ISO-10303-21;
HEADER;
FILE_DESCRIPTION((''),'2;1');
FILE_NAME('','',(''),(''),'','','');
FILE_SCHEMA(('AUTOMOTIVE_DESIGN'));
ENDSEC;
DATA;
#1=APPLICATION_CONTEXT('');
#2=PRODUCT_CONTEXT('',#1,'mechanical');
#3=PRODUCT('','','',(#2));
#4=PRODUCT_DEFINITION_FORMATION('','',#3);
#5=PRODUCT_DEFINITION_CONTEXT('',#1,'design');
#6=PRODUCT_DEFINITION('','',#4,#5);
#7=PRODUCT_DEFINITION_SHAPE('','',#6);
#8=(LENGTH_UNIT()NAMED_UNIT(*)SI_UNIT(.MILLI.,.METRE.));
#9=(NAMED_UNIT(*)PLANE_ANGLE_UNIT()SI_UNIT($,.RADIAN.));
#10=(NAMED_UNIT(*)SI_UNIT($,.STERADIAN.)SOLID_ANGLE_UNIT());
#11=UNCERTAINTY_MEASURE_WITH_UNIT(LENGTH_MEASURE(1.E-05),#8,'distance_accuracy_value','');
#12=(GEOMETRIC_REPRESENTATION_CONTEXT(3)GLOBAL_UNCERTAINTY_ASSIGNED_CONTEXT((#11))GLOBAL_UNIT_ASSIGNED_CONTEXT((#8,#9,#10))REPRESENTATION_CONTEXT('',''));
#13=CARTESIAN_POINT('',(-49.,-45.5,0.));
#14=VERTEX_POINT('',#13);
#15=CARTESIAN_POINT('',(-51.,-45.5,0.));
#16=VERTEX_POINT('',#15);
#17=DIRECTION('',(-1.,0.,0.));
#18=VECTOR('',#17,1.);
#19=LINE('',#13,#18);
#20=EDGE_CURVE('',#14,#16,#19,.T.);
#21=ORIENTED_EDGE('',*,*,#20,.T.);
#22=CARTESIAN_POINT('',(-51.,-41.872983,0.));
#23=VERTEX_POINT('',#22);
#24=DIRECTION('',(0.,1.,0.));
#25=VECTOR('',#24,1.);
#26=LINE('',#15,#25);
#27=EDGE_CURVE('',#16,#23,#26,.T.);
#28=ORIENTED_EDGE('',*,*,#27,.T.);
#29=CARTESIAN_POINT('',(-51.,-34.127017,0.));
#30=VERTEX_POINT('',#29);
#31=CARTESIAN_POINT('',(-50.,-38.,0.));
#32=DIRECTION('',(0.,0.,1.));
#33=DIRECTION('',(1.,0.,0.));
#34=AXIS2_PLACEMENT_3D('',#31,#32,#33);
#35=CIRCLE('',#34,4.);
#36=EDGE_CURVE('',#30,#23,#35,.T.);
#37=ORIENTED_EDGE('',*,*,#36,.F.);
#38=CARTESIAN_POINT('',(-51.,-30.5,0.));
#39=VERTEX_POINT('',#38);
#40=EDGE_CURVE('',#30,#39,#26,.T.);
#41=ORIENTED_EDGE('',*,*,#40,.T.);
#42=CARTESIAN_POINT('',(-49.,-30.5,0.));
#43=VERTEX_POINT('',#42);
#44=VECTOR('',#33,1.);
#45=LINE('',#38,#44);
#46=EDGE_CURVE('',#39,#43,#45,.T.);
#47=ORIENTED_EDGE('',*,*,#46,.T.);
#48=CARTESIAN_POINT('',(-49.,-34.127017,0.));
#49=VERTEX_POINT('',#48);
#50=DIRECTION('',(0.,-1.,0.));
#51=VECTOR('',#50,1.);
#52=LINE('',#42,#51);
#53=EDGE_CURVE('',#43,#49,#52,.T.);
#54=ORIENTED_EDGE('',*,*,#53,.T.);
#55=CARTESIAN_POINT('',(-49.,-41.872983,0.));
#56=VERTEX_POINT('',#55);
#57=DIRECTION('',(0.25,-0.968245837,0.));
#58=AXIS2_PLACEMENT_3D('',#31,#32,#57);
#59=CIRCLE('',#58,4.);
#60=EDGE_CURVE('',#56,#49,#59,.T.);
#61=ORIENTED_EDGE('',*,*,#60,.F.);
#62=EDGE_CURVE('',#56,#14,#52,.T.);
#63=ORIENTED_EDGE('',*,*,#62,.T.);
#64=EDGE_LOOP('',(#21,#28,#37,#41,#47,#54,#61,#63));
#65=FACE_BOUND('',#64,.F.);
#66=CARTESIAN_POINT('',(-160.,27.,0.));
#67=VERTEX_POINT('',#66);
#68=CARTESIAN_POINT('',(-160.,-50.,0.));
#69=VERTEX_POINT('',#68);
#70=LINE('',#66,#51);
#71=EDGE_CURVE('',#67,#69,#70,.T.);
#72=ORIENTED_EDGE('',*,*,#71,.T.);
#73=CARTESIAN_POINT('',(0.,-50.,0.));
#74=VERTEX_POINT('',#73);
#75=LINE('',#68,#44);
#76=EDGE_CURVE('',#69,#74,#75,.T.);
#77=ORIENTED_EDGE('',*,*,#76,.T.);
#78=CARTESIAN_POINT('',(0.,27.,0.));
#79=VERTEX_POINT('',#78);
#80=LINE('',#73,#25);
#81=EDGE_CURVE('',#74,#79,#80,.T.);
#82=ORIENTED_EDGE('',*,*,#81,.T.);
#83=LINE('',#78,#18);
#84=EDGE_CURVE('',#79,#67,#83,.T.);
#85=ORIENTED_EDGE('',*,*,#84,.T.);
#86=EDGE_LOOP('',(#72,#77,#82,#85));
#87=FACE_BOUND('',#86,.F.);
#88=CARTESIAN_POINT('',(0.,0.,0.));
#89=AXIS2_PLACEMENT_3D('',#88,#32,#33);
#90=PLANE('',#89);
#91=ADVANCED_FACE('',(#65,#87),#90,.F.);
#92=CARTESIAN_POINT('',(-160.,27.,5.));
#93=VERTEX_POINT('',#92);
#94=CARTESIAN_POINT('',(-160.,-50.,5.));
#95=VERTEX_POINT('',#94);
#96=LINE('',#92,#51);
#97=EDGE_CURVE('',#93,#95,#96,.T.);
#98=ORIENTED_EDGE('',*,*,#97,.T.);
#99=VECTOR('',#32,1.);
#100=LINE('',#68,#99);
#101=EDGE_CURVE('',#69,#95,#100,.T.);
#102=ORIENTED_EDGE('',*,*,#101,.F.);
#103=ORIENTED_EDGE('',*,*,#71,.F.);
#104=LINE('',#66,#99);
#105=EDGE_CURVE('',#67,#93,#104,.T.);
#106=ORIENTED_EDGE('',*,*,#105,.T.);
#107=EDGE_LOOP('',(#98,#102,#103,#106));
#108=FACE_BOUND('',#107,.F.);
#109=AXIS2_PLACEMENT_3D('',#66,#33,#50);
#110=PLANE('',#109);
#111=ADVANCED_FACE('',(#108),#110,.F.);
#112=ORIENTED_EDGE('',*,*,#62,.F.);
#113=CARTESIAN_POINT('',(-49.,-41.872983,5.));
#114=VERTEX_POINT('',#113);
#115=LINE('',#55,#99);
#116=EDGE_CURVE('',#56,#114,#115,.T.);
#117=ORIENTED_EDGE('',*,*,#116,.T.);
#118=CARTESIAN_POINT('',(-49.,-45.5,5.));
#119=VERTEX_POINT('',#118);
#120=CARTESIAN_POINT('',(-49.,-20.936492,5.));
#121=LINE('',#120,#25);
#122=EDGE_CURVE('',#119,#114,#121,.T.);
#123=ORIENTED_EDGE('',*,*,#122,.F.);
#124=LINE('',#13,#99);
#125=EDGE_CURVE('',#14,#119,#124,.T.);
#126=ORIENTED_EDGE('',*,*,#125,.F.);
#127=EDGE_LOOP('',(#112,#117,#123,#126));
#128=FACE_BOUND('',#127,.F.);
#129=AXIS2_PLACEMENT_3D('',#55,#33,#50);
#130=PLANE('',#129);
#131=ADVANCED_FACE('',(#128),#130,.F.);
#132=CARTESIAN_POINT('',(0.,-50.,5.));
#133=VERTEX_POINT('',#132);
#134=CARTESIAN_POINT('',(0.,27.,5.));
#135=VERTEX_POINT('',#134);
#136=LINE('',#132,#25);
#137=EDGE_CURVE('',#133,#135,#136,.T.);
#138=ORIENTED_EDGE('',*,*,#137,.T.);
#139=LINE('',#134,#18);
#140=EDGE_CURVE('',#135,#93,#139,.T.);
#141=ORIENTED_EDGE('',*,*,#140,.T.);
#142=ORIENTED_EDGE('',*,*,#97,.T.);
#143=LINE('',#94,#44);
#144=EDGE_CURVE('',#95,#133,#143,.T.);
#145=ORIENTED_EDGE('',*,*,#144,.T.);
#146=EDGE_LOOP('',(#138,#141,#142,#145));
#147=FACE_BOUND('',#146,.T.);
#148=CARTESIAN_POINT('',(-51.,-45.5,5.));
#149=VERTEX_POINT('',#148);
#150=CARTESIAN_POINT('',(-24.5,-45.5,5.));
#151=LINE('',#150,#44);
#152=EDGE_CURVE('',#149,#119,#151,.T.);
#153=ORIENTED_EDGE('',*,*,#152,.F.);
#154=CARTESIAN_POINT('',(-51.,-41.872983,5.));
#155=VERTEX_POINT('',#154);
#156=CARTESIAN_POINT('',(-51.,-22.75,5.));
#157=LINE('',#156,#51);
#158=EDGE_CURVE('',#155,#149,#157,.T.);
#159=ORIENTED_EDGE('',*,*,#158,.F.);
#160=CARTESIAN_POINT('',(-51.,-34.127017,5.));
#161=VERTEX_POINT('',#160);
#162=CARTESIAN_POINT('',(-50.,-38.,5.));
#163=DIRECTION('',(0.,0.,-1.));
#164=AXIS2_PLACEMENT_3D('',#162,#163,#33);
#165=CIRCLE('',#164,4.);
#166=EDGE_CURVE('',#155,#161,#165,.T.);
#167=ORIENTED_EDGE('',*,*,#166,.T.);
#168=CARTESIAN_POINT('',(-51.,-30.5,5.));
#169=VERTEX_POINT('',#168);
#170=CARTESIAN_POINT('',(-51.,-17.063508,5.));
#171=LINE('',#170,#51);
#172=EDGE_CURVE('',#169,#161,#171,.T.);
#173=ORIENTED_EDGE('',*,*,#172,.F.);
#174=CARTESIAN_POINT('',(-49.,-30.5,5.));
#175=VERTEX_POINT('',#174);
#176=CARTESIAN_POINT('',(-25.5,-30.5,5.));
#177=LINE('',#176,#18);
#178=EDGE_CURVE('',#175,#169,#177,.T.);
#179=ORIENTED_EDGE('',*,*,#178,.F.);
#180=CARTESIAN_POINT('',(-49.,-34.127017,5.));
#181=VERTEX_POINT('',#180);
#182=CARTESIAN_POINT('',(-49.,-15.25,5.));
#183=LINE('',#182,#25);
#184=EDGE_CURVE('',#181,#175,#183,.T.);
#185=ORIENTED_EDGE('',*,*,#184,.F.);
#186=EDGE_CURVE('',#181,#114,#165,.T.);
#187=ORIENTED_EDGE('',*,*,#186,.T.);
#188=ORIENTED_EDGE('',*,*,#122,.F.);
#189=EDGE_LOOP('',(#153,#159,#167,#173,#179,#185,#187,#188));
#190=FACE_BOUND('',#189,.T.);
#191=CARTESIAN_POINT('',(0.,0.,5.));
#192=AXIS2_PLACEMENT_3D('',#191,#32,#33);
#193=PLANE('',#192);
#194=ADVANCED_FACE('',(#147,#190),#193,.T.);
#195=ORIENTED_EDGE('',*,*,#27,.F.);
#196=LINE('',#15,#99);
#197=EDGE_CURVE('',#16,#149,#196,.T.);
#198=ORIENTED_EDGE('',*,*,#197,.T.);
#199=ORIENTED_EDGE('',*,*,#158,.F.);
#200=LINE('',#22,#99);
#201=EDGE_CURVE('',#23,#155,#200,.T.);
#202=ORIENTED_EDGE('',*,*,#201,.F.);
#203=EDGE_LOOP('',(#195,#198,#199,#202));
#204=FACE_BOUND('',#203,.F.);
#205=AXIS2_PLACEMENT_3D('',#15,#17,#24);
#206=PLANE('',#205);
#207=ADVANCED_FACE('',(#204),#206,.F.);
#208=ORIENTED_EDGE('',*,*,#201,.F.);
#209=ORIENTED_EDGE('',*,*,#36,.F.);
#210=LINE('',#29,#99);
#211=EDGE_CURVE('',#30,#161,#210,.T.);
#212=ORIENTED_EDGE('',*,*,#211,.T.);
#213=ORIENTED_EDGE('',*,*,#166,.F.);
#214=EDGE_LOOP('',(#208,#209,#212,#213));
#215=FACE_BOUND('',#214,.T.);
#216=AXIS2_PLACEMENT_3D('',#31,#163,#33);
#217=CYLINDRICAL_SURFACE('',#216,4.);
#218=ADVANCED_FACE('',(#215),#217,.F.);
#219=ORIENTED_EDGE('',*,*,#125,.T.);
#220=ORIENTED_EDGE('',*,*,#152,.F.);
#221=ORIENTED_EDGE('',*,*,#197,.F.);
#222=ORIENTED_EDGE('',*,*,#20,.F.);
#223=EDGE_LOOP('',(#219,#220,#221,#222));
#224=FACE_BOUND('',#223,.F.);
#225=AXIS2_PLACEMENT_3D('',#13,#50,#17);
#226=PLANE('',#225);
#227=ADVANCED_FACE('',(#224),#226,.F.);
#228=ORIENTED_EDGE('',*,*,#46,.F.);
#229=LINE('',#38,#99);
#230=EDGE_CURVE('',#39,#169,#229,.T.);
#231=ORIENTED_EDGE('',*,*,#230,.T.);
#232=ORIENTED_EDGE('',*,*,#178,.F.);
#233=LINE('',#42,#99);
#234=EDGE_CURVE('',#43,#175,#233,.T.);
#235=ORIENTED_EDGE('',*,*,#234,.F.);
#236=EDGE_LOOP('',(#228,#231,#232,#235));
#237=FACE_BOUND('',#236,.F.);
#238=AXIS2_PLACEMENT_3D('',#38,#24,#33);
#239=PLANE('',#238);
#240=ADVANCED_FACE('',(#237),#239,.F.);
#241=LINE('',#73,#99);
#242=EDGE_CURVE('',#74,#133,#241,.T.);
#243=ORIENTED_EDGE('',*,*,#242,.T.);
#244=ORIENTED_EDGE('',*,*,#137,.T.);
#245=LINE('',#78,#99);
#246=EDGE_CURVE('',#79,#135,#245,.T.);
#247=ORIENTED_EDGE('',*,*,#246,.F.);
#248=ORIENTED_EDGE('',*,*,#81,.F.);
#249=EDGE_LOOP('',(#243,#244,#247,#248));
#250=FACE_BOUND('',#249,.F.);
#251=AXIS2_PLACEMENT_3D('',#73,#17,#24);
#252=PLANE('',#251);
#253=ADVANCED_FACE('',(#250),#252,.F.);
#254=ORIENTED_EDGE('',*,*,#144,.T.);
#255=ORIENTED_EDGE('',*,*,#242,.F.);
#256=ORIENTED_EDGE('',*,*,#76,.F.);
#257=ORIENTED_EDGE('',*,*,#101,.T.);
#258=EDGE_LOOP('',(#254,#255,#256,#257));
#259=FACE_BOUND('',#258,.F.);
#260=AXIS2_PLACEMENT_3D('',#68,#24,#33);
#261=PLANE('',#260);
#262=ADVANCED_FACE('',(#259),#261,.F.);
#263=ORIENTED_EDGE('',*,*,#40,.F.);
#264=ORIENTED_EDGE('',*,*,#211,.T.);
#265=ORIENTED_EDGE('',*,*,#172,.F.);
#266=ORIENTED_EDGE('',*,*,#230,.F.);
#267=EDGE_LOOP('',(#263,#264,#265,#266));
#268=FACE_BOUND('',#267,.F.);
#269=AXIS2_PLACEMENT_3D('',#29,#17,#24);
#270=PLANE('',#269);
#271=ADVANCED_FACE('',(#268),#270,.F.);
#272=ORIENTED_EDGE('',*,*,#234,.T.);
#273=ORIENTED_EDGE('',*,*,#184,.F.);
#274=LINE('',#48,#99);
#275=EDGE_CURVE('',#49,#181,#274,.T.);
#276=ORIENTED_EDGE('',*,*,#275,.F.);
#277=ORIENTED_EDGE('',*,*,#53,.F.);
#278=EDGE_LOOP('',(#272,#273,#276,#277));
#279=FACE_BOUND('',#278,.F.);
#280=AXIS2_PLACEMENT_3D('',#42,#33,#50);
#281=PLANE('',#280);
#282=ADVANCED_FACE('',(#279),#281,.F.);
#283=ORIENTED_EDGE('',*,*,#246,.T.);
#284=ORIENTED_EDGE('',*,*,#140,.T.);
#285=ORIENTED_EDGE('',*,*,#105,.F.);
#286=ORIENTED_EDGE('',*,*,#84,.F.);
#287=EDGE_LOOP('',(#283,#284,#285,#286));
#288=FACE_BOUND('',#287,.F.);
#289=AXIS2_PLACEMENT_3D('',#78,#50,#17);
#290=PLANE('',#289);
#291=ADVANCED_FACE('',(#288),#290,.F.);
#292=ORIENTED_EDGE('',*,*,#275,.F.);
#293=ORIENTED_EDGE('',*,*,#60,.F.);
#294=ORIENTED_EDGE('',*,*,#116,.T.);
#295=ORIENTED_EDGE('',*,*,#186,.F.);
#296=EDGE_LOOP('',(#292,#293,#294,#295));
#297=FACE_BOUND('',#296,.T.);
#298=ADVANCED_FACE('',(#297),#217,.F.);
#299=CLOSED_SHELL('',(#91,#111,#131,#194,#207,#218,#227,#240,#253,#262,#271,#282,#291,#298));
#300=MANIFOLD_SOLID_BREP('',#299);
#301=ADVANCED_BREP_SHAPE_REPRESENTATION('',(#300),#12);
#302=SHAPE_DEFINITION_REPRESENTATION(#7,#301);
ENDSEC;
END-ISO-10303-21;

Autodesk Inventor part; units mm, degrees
ref_plane "YZ Plane" through (0, 0, 0) normal (1, 0, 0) x (0, 1, 0)
ref_plane "XZ Plane" through (0, 0, 0) normal (0, 1, 0) x (-1, 0, 0)
ref_plane "XY Plane" through (0, 0, 0) normal (0, 0, 1) x (1, 0, 0)
sketch "Sketch1" plane through (0, 0, 0) normal (0, 0, 1) x (1, 0, 0)
  line L0 (0, 0) -> (-170, 0)
  line L1 (-170, 0) -> (-170, -50)
  line L2 (-170, -50) -> (0, -50)
  line L3 (0, -50) -> (0, 0)
  line L4 (0, 0) -> (-43.459, 0)
  line L5 (-43.459, 0) -> (-43.459, -8)
  line L6 (-43.459, -8) -> (0, -8)
  line L7 (0, -8) -> (0, 0)
  line L8 (0, 0) -> (-170, 0)
  line L9 (-170, 0) -> (-170, 27)
  line L10 (-170, 27) -> (0, 27)
  line L11 (0, 27) -> (0, 0)
  circle A0 centre (-50, -38) radius 4
  line L12 (-51, -30.5) -> (-49, -30.5)
  line L13 (-49, -30.5) -> (-49, -45.5)
  line L14 (-49, -45.5) -> (-51, -45.5)
  line L15 (-51, -45.5) -> (-51, -30.5)
  line L16 (-50, -38) -> (-50, -42) construction
  line L17 (-51, -38) -> (-50, -38) construction
  point P0 (-51, -34.127)
  point P1 (-51, -41.873)
  point P2 (-49, -34.127)
  point P3 (-49, -41.873)
  dimension "d10" = 8
  dimension "d0" = 43.459
  dimension "d1" = 8
  dimension "d2" = 27
  dimension "d3" = 42
  dimension "d4" = 170
  dimension "d8" = 30
  dimension "d9" = 50
  dimension "d11" = 15
  dimension "d12" = 2
sketch "Sketch2" plane through (0, 0, 0) normal (0, 0, 1) x (1, 0, 0)
  line L0 (0, 27) -> (-160, 27)
  line L1 (-160, 27) -> (-160, -50)
  line L2 (-160, -50) -> (0, -50)
  line L3 (0, -50) -> (0, 27)
  point P0 (0, 0)
  dimension "d5" = 160
extrude "Extrusion1" add sketch "Sketch2" along normal blind 5
extrude "Extrusion2" cut sketch "Sketch1" along normal through all contours A0 L13 | L13 A0 L15 | A0 L15 L12 L13 | L13 L14 L15 A0 | L15 A0
properties part number "Inkpath_Plate"
